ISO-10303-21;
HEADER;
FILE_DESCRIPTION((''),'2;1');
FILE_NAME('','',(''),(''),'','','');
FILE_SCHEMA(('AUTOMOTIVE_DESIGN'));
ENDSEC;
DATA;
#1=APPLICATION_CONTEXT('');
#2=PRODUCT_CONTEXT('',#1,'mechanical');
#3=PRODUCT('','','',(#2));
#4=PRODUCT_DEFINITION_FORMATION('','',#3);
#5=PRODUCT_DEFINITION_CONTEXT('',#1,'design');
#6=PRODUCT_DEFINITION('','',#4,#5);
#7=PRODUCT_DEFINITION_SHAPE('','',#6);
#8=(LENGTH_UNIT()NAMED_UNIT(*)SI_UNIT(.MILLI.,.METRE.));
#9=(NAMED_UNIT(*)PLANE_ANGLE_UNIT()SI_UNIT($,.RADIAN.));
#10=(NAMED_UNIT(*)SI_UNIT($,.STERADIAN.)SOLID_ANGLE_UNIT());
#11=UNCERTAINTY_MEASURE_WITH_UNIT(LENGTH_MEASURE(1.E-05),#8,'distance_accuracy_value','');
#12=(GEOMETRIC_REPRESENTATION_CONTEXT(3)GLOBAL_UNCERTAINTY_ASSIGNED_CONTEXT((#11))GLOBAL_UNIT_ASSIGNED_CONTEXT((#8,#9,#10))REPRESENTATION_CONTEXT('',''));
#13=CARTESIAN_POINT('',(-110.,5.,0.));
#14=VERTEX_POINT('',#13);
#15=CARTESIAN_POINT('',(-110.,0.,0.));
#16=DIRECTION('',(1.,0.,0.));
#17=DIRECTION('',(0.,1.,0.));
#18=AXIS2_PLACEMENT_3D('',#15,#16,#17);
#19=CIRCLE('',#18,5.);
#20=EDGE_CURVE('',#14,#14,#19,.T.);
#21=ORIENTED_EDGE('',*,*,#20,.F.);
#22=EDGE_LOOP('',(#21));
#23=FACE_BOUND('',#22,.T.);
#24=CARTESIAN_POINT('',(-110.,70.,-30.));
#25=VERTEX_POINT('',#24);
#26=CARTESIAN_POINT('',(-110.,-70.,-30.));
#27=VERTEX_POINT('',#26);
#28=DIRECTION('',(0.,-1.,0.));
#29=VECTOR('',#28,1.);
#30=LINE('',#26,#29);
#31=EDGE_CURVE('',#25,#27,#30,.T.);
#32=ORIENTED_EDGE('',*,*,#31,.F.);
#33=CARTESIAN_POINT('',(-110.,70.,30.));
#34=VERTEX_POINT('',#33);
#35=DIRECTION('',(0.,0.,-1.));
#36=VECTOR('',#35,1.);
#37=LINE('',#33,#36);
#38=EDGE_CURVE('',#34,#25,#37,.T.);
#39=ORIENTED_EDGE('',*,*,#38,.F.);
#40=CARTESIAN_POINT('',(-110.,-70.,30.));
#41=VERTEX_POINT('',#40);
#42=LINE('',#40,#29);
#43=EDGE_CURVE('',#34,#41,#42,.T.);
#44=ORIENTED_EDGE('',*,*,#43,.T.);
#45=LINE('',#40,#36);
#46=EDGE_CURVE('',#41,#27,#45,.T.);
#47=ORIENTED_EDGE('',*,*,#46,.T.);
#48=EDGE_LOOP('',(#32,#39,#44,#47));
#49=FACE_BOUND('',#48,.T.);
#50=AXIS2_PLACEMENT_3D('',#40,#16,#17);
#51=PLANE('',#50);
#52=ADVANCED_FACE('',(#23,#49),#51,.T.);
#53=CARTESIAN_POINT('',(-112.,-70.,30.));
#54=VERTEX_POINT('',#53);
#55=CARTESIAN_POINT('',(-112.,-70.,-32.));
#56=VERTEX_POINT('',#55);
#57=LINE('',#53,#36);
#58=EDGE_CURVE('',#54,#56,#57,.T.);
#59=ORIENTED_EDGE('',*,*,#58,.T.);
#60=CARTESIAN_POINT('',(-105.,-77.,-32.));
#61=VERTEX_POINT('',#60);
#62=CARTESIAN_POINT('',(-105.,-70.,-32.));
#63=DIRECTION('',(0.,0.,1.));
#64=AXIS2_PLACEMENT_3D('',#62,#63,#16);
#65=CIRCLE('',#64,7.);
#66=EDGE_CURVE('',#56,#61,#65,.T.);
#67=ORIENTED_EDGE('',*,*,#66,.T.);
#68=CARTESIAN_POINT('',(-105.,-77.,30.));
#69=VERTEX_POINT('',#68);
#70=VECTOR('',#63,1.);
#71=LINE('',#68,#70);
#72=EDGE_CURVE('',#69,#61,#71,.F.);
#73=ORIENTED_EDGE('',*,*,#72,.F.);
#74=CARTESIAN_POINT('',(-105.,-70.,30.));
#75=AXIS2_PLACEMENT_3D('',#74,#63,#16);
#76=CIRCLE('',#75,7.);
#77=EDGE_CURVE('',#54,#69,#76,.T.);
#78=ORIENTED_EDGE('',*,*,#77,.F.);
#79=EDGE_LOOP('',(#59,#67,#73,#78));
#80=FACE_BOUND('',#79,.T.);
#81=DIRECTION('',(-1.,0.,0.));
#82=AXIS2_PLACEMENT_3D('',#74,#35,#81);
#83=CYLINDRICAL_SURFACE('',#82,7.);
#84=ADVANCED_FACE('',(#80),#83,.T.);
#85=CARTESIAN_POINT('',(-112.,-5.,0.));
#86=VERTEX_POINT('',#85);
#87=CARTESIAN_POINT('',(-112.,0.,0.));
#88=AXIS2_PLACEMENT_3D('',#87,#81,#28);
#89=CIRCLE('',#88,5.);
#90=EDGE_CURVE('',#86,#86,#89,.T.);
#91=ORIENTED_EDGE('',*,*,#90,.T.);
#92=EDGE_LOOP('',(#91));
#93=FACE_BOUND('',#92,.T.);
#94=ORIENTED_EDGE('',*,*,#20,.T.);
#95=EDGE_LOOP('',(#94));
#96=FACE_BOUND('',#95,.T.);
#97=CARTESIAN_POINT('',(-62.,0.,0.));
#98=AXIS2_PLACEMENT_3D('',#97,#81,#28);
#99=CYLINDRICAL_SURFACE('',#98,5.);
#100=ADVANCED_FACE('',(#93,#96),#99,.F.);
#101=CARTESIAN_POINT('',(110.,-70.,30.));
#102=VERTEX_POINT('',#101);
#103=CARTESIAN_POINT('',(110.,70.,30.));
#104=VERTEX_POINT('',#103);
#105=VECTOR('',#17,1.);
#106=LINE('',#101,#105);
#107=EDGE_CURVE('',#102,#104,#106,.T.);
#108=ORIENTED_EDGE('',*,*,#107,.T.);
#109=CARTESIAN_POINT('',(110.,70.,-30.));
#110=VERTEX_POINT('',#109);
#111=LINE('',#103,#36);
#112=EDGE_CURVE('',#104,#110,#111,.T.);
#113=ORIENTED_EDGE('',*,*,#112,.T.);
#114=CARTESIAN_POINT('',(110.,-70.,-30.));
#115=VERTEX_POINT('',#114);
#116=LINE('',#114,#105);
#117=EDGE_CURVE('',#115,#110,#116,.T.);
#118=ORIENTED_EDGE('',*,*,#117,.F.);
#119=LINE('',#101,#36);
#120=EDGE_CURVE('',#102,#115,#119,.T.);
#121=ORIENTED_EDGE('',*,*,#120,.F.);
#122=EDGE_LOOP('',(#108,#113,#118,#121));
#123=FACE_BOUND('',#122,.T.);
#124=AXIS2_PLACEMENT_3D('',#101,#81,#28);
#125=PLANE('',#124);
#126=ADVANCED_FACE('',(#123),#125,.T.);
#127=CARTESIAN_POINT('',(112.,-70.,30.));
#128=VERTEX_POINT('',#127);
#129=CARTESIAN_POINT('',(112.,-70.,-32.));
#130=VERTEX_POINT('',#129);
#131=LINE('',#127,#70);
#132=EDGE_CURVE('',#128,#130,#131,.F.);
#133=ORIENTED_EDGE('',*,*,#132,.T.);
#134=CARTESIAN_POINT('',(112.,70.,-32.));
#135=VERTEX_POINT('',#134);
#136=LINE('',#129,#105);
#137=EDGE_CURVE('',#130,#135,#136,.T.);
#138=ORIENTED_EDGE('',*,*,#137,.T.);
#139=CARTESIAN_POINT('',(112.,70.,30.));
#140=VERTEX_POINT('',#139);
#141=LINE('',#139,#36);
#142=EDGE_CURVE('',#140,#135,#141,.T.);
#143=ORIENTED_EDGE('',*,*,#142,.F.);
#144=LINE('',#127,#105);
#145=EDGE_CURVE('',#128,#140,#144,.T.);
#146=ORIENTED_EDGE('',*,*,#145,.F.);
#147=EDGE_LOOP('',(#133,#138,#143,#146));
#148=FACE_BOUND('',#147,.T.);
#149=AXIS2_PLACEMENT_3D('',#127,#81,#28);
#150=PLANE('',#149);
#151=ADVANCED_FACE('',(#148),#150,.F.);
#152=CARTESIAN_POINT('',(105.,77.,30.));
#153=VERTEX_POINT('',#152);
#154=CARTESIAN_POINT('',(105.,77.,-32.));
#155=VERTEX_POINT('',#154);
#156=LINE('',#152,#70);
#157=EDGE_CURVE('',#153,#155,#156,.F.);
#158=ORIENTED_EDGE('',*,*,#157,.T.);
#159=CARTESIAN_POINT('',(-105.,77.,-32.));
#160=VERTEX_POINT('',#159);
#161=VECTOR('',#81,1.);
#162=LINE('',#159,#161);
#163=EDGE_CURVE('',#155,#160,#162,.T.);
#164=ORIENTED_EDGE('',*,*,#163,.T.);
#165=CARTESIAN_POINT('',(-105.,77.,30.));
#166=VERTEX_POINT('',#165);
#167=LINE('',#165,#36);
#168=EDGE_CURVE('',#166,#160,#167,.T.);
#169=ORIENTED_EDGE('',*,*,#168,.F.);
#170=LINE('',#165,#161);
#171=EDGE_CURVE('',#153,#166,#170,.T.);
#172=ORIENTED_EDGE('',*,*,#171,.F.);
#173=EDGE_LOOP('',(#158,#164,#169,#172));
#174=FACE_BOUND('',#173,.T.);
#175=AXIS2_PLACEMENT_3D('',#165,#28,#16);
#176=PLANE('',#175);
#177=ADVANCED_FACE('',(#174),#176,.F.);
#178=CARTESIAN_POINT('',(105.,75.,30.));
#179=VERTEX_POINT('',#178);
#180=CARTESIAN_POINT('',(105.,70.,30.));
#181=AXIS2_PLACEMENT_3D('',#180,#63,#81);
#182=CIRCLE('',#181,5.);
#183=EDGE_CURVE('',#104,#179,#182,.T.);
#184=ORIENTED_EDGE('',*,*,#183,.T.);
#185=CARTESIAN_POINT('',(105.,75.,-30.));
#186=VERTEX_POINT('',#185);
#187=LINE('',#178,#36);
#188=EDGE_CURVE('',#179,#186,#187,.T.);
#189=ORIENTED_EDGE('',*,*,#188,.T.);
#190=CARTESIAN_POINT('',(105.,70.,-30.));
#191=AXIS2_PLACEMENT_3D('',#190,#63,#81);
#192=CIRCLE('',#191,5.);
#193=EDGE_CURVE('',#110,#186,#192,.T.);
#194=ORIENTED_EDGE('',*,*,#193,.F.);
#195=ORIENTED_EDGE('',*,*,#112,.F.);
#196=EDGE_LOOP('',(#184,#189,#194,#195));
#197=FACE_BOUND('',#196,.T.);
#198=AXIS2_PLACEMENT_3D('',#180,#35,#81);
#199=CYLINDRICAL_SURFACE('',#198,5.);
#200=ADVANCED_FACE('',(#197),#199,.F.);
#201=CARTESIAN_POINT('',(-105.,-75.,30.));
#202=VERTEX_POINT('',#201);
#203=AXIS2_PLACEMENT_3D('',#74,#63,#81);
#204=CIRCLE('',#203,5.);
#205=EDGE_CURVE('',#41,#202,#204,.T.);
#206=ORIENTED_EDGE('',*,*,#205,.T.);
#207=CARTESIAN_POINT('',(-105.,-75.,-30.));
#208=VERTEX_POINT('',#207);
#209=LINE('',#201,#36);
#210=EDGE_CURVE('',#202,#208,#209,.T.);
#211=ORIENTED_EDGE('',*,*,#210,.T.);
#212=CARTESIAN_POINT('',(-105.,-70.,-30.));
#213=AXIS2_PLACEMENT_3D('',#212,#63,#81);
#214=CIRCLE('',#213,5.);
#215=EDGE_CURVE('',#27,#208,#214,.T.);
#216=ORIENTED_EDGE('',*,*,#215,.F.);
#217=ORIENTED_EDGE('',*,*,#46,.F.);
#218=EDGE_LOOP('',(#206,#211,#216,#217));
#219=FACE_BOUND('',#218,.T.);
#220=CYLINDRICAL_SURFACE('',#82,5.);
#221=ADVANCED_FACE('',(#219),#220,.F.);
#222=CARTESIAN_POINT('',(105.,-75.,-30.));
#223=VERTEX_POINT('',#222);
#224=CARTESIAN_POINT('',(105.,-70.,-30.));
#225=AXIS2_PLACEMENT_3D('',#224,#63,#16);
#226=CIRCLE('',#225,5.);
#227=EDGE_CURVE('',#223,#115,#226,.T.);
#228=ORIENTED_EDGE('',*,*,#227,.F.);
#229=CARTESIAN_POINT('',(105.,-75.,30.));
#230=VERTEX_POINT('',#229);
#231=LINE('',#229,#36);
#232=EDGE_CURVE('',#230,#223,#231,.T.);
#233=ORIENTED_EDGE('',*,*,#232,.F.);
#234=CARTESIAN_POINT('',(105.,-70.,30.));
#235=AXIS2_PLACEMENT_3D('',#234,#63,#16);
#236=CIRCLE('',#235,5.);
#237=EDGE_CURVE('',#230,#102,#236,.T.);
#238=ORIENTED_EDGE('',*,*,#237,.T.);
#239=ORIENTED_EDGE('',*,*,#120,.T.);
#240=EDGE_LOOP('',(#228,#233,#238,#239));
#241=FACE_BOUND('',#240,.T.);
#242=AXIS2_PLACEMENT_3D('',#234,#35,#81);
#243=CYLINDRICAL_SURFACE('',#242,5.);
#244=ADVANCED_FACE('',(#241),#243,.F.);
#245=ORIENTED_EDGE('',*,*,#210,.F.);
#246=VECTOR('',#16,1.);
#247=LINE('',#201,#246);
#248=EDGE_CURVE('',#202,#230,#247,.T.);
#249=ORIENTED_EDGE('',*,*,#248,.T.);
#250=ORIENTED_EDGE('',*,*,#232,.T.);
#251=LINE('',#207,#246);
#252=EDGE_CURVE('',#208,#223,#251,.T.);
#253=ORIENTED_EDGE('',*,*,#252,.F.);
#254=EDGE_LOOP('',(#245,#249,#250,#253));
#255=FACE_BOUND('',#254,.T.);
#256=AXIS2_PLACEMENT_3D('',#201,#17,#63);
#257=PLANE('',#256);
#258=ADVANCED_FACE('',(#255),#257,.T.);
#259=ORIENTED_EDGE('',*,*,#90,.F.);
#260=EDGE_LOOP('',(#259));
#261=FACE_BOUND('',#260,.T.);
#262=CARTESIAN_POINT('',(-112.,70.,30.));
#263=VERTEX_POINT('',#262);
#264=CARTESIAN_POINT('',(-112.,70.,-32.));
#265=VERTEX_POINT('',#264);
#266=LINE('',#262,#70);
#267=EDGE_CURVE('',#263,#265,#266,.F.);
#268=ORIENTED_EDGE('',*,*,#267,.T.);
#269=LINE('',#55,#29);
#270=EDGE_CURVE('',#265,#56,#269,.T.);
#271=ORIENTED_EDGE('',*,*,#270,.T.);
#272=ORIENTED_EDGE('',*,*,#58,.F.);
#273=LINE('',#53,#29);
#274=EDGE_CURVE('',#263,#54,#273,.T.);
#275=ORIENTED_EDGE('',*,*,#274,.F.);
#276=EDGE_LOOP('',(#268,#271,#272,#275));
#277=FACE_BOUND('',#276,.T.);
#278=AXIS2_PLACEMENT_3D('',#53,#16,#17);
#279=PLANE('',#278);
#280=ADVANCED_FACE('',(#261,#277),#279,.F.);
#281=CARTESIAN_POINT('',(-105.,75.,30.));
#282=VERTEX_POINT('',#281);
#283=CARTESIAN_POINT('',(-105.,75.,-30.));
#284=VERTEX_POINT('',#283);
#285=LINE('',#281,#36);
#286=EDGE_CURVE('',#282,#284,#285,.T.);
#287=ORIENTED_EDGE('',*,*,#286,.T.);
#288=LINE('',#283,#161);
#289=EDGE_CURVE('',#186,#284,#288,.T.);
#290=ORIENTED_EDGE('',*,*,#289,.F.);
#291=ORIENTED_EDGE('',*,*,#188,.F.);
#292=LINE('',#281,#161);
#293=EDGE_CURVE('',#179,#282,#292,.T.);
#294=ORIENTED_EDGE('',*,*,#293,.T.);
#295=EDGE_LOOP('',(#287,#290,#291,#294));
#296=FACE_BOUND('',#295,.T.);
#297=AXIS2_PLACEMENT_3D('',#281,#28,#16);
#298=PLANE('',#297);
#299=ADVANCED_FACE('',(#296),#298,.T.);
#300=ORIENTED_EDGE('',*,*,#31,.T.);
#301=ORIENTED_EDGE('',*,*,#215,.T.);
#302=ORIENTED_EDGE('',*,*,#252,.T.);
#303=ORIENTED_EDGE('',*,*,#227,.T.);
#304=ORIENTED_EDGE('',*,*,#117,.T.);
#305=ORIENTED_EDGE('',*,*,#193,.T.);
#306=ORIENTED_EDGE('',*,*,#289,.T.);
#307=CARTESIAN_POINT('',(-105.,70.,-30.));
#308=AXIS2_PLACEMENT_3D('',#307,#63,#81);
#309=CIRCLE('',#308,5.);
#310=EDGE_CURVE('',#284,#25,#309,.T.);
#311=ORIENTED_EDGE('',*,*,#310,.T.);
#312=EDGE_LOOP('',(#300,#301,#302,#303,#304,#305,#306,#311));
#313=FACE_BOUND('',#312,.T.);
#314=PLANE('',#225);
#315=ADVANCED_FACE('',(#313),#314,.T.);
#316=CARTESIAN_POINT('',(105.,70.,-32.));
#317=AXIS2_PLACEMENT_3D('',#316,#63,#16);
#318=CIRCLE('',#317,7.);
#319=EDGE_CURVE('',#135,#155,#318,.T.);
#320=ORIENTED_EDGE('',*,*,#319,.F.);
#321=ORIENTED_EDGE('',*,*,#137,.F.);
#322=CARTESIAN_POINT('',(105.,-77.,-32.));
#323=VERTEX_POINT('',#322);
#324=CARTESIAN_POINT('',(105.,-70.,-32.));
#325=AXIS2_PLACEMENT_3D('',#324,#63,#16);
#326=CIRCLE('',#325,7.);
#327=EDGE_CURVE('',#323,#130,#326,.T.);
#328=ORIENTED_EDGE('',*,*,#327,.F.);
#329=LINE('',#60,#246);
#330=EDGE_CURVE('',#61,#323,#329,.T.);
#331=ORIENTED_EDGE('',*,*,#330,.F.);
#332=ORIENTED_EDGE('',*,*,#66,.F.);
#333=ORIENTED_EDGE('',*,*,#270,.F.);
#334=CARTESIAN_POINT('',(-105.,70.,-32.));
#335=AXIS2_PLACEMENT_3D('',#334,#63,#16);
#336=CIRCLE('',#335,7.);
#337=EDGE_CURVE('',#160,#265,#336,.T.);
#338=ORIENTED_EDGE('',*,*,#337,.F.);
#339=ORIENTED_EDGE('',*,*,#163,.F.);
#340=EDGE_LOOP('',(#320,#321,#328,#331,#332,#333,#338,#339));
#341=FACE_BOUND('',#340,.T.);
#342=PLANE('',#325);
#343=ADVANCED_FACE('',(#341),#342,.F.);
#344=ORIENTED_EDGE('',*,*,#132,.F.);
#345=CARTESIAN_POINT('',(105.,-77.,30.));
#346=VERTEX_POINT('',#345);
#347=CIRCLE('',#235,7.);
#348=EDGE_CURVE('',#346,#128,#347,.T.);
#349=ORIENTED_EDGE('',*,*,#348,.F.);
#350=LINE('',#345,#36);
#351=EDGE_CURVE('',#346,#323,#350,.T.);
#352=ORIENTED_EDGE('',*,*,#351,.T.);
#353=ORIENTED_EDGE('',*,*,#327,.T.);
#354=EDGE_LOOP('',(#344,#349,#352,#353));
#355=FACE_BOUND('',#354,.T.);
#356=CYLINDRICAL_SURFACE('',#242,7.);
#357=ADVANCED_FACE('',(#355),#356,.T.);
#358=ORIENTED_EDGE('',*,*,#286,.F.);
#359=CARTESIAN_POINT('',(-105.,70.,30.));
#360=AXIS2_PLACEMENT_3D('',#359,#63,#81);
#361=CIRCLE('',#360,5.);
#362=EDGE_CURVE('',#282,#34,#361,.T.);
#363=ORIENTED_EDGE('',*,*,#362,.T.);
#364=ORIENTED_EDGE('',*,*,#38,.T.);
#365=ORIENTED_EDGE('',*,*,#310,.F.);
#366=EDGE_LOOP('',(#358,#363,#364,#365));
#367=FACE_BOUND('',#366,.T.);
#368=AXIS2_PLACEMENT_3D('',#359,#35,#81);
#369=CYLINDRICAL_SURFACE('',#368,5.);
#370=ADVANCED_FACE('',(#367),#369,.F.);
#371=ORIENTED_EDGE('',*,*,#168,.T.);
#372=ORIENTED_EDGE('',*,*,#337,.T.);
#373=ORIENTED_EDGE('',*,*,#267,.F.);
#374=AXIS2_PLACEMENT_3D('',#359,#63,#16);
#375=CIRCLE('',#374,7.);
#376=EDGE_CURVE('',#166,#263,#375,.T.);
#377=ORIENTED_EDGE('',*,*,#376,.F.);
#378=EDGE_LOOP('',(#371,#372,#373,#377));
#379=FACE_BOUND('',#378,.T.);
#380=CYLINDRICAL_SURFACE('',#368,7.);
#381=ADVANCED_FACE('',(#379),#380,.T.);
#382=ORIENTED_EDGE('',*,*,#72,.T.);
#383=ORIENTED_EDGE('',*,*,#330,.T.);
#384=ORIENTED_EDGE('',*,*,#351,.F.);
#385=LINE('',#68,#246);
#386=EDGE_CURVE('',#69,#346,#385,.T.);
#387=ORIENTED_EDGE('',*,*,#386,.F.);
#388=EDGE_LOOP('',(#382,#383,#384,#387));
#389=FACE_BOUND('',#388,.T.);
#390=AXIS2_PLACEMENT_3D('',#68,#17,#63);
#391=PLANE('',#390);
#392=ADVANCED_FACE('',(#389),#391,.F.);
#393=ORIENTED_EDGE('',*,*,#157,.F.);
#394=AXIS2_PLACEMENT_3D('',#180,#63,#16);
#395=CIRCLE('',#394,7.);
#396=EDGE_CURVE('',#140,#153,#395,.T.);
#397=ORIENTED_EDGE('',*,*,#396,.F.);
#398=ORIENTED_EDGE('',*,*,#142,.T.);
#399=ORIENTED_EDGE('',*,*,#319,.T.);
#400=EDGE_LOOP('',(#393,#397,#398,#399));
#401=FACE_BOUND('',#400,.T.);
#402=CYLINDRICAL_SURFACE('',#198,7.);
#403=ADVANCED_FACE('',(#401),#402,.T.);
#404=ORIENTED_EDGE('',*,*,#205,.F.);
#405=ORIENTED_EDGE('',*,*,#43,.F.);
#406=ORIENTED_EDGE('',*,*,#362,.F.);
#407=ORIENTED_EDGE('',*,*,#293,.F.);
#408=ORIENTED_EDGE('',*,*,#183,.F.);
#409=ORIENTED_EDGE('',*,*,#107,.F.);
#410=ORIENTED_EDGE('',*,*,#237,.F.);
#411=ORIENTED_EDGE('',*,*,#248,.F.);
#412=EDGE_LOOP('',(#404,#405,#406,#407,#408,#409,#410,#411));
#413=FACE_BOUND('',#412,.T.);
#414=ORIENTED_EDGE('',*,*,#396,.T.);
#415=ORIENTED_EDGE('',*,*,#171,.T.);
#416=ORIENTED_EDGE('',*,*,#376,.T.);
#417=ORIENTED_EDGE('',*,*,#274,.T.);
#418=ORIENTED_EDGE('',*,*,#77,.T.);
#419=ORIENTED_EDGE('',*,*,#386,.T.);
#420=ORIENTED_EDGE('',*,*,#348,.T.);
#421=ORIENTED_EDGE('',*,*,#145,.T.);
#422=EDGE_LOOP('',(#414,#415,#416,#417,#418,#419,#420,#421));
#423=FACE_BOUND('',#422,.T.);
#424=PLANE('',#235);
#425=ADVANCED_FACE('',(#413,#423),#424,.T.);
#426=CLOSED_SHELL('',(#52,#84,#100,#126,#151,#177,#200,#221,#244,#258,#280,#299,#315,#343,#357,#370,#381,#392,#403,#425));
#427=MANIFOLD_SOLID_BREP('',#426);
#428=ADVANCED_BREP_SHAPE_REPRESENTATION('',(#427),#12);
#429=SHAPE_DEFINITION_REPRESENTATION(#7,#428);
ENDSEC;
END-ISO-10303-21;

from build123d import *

# Parameters (mm, degrees)
BOSS_EXTRUDE1_DEPTH = 30
SHELL1_T            = 2
SKETCH2_R           = 5
CUT_EXTRUDE1_DEPTH  = 50


with BuildPart() as part:
    # Sketch1 → Boss-Extrude1 (new, symmetric)
    with BuildSketch(Plane.XY):
        with BuildLine():
            Line((-105, -75), (105, -75))
            ThreePointArc((105, -75), (108.535533906, -73.535533906), (110, -70))
            Line((110, -70), (110, 70))
            ThreePointArc((110, 70), (108.535533906, 73.535533906), (105, 75))
            Line((105, 75), (-105, 75))
            ThreePointArc((-105, 75), (-108.535533906, 73.535533906), (-110, 70))
            Line((-110, 70), (-110, -70))
            ThreePointArc((-110, -70), (-108.535533906, -73.535533906), (-105, -75))
        make_face()
    extrude(amount=BOSS_EXTRUDE1_DEPTH, both=True)

    # Shell1
    shell1_openings = [part.faces().sort_by_distance(p)[0] for p in [
        (0, 0, 30),
    ]]
    offset(amount=SHELL1_T, openings=shell1_openings, kind=Kind.INTERSECTION)

    # Sketch2 → Cut-Extrude1 (cut)
    with BuildSketch(Plane.ZY.offset(112)):
        with Locations(Location((0, 0, 0), (0, 0, 270))):
            Circle(SKETCH2_R)
    extrude(amount=-CUT_EXTRUDE1_DEPTH, mode=Mode.SUBTRACT)


solid = part.part
